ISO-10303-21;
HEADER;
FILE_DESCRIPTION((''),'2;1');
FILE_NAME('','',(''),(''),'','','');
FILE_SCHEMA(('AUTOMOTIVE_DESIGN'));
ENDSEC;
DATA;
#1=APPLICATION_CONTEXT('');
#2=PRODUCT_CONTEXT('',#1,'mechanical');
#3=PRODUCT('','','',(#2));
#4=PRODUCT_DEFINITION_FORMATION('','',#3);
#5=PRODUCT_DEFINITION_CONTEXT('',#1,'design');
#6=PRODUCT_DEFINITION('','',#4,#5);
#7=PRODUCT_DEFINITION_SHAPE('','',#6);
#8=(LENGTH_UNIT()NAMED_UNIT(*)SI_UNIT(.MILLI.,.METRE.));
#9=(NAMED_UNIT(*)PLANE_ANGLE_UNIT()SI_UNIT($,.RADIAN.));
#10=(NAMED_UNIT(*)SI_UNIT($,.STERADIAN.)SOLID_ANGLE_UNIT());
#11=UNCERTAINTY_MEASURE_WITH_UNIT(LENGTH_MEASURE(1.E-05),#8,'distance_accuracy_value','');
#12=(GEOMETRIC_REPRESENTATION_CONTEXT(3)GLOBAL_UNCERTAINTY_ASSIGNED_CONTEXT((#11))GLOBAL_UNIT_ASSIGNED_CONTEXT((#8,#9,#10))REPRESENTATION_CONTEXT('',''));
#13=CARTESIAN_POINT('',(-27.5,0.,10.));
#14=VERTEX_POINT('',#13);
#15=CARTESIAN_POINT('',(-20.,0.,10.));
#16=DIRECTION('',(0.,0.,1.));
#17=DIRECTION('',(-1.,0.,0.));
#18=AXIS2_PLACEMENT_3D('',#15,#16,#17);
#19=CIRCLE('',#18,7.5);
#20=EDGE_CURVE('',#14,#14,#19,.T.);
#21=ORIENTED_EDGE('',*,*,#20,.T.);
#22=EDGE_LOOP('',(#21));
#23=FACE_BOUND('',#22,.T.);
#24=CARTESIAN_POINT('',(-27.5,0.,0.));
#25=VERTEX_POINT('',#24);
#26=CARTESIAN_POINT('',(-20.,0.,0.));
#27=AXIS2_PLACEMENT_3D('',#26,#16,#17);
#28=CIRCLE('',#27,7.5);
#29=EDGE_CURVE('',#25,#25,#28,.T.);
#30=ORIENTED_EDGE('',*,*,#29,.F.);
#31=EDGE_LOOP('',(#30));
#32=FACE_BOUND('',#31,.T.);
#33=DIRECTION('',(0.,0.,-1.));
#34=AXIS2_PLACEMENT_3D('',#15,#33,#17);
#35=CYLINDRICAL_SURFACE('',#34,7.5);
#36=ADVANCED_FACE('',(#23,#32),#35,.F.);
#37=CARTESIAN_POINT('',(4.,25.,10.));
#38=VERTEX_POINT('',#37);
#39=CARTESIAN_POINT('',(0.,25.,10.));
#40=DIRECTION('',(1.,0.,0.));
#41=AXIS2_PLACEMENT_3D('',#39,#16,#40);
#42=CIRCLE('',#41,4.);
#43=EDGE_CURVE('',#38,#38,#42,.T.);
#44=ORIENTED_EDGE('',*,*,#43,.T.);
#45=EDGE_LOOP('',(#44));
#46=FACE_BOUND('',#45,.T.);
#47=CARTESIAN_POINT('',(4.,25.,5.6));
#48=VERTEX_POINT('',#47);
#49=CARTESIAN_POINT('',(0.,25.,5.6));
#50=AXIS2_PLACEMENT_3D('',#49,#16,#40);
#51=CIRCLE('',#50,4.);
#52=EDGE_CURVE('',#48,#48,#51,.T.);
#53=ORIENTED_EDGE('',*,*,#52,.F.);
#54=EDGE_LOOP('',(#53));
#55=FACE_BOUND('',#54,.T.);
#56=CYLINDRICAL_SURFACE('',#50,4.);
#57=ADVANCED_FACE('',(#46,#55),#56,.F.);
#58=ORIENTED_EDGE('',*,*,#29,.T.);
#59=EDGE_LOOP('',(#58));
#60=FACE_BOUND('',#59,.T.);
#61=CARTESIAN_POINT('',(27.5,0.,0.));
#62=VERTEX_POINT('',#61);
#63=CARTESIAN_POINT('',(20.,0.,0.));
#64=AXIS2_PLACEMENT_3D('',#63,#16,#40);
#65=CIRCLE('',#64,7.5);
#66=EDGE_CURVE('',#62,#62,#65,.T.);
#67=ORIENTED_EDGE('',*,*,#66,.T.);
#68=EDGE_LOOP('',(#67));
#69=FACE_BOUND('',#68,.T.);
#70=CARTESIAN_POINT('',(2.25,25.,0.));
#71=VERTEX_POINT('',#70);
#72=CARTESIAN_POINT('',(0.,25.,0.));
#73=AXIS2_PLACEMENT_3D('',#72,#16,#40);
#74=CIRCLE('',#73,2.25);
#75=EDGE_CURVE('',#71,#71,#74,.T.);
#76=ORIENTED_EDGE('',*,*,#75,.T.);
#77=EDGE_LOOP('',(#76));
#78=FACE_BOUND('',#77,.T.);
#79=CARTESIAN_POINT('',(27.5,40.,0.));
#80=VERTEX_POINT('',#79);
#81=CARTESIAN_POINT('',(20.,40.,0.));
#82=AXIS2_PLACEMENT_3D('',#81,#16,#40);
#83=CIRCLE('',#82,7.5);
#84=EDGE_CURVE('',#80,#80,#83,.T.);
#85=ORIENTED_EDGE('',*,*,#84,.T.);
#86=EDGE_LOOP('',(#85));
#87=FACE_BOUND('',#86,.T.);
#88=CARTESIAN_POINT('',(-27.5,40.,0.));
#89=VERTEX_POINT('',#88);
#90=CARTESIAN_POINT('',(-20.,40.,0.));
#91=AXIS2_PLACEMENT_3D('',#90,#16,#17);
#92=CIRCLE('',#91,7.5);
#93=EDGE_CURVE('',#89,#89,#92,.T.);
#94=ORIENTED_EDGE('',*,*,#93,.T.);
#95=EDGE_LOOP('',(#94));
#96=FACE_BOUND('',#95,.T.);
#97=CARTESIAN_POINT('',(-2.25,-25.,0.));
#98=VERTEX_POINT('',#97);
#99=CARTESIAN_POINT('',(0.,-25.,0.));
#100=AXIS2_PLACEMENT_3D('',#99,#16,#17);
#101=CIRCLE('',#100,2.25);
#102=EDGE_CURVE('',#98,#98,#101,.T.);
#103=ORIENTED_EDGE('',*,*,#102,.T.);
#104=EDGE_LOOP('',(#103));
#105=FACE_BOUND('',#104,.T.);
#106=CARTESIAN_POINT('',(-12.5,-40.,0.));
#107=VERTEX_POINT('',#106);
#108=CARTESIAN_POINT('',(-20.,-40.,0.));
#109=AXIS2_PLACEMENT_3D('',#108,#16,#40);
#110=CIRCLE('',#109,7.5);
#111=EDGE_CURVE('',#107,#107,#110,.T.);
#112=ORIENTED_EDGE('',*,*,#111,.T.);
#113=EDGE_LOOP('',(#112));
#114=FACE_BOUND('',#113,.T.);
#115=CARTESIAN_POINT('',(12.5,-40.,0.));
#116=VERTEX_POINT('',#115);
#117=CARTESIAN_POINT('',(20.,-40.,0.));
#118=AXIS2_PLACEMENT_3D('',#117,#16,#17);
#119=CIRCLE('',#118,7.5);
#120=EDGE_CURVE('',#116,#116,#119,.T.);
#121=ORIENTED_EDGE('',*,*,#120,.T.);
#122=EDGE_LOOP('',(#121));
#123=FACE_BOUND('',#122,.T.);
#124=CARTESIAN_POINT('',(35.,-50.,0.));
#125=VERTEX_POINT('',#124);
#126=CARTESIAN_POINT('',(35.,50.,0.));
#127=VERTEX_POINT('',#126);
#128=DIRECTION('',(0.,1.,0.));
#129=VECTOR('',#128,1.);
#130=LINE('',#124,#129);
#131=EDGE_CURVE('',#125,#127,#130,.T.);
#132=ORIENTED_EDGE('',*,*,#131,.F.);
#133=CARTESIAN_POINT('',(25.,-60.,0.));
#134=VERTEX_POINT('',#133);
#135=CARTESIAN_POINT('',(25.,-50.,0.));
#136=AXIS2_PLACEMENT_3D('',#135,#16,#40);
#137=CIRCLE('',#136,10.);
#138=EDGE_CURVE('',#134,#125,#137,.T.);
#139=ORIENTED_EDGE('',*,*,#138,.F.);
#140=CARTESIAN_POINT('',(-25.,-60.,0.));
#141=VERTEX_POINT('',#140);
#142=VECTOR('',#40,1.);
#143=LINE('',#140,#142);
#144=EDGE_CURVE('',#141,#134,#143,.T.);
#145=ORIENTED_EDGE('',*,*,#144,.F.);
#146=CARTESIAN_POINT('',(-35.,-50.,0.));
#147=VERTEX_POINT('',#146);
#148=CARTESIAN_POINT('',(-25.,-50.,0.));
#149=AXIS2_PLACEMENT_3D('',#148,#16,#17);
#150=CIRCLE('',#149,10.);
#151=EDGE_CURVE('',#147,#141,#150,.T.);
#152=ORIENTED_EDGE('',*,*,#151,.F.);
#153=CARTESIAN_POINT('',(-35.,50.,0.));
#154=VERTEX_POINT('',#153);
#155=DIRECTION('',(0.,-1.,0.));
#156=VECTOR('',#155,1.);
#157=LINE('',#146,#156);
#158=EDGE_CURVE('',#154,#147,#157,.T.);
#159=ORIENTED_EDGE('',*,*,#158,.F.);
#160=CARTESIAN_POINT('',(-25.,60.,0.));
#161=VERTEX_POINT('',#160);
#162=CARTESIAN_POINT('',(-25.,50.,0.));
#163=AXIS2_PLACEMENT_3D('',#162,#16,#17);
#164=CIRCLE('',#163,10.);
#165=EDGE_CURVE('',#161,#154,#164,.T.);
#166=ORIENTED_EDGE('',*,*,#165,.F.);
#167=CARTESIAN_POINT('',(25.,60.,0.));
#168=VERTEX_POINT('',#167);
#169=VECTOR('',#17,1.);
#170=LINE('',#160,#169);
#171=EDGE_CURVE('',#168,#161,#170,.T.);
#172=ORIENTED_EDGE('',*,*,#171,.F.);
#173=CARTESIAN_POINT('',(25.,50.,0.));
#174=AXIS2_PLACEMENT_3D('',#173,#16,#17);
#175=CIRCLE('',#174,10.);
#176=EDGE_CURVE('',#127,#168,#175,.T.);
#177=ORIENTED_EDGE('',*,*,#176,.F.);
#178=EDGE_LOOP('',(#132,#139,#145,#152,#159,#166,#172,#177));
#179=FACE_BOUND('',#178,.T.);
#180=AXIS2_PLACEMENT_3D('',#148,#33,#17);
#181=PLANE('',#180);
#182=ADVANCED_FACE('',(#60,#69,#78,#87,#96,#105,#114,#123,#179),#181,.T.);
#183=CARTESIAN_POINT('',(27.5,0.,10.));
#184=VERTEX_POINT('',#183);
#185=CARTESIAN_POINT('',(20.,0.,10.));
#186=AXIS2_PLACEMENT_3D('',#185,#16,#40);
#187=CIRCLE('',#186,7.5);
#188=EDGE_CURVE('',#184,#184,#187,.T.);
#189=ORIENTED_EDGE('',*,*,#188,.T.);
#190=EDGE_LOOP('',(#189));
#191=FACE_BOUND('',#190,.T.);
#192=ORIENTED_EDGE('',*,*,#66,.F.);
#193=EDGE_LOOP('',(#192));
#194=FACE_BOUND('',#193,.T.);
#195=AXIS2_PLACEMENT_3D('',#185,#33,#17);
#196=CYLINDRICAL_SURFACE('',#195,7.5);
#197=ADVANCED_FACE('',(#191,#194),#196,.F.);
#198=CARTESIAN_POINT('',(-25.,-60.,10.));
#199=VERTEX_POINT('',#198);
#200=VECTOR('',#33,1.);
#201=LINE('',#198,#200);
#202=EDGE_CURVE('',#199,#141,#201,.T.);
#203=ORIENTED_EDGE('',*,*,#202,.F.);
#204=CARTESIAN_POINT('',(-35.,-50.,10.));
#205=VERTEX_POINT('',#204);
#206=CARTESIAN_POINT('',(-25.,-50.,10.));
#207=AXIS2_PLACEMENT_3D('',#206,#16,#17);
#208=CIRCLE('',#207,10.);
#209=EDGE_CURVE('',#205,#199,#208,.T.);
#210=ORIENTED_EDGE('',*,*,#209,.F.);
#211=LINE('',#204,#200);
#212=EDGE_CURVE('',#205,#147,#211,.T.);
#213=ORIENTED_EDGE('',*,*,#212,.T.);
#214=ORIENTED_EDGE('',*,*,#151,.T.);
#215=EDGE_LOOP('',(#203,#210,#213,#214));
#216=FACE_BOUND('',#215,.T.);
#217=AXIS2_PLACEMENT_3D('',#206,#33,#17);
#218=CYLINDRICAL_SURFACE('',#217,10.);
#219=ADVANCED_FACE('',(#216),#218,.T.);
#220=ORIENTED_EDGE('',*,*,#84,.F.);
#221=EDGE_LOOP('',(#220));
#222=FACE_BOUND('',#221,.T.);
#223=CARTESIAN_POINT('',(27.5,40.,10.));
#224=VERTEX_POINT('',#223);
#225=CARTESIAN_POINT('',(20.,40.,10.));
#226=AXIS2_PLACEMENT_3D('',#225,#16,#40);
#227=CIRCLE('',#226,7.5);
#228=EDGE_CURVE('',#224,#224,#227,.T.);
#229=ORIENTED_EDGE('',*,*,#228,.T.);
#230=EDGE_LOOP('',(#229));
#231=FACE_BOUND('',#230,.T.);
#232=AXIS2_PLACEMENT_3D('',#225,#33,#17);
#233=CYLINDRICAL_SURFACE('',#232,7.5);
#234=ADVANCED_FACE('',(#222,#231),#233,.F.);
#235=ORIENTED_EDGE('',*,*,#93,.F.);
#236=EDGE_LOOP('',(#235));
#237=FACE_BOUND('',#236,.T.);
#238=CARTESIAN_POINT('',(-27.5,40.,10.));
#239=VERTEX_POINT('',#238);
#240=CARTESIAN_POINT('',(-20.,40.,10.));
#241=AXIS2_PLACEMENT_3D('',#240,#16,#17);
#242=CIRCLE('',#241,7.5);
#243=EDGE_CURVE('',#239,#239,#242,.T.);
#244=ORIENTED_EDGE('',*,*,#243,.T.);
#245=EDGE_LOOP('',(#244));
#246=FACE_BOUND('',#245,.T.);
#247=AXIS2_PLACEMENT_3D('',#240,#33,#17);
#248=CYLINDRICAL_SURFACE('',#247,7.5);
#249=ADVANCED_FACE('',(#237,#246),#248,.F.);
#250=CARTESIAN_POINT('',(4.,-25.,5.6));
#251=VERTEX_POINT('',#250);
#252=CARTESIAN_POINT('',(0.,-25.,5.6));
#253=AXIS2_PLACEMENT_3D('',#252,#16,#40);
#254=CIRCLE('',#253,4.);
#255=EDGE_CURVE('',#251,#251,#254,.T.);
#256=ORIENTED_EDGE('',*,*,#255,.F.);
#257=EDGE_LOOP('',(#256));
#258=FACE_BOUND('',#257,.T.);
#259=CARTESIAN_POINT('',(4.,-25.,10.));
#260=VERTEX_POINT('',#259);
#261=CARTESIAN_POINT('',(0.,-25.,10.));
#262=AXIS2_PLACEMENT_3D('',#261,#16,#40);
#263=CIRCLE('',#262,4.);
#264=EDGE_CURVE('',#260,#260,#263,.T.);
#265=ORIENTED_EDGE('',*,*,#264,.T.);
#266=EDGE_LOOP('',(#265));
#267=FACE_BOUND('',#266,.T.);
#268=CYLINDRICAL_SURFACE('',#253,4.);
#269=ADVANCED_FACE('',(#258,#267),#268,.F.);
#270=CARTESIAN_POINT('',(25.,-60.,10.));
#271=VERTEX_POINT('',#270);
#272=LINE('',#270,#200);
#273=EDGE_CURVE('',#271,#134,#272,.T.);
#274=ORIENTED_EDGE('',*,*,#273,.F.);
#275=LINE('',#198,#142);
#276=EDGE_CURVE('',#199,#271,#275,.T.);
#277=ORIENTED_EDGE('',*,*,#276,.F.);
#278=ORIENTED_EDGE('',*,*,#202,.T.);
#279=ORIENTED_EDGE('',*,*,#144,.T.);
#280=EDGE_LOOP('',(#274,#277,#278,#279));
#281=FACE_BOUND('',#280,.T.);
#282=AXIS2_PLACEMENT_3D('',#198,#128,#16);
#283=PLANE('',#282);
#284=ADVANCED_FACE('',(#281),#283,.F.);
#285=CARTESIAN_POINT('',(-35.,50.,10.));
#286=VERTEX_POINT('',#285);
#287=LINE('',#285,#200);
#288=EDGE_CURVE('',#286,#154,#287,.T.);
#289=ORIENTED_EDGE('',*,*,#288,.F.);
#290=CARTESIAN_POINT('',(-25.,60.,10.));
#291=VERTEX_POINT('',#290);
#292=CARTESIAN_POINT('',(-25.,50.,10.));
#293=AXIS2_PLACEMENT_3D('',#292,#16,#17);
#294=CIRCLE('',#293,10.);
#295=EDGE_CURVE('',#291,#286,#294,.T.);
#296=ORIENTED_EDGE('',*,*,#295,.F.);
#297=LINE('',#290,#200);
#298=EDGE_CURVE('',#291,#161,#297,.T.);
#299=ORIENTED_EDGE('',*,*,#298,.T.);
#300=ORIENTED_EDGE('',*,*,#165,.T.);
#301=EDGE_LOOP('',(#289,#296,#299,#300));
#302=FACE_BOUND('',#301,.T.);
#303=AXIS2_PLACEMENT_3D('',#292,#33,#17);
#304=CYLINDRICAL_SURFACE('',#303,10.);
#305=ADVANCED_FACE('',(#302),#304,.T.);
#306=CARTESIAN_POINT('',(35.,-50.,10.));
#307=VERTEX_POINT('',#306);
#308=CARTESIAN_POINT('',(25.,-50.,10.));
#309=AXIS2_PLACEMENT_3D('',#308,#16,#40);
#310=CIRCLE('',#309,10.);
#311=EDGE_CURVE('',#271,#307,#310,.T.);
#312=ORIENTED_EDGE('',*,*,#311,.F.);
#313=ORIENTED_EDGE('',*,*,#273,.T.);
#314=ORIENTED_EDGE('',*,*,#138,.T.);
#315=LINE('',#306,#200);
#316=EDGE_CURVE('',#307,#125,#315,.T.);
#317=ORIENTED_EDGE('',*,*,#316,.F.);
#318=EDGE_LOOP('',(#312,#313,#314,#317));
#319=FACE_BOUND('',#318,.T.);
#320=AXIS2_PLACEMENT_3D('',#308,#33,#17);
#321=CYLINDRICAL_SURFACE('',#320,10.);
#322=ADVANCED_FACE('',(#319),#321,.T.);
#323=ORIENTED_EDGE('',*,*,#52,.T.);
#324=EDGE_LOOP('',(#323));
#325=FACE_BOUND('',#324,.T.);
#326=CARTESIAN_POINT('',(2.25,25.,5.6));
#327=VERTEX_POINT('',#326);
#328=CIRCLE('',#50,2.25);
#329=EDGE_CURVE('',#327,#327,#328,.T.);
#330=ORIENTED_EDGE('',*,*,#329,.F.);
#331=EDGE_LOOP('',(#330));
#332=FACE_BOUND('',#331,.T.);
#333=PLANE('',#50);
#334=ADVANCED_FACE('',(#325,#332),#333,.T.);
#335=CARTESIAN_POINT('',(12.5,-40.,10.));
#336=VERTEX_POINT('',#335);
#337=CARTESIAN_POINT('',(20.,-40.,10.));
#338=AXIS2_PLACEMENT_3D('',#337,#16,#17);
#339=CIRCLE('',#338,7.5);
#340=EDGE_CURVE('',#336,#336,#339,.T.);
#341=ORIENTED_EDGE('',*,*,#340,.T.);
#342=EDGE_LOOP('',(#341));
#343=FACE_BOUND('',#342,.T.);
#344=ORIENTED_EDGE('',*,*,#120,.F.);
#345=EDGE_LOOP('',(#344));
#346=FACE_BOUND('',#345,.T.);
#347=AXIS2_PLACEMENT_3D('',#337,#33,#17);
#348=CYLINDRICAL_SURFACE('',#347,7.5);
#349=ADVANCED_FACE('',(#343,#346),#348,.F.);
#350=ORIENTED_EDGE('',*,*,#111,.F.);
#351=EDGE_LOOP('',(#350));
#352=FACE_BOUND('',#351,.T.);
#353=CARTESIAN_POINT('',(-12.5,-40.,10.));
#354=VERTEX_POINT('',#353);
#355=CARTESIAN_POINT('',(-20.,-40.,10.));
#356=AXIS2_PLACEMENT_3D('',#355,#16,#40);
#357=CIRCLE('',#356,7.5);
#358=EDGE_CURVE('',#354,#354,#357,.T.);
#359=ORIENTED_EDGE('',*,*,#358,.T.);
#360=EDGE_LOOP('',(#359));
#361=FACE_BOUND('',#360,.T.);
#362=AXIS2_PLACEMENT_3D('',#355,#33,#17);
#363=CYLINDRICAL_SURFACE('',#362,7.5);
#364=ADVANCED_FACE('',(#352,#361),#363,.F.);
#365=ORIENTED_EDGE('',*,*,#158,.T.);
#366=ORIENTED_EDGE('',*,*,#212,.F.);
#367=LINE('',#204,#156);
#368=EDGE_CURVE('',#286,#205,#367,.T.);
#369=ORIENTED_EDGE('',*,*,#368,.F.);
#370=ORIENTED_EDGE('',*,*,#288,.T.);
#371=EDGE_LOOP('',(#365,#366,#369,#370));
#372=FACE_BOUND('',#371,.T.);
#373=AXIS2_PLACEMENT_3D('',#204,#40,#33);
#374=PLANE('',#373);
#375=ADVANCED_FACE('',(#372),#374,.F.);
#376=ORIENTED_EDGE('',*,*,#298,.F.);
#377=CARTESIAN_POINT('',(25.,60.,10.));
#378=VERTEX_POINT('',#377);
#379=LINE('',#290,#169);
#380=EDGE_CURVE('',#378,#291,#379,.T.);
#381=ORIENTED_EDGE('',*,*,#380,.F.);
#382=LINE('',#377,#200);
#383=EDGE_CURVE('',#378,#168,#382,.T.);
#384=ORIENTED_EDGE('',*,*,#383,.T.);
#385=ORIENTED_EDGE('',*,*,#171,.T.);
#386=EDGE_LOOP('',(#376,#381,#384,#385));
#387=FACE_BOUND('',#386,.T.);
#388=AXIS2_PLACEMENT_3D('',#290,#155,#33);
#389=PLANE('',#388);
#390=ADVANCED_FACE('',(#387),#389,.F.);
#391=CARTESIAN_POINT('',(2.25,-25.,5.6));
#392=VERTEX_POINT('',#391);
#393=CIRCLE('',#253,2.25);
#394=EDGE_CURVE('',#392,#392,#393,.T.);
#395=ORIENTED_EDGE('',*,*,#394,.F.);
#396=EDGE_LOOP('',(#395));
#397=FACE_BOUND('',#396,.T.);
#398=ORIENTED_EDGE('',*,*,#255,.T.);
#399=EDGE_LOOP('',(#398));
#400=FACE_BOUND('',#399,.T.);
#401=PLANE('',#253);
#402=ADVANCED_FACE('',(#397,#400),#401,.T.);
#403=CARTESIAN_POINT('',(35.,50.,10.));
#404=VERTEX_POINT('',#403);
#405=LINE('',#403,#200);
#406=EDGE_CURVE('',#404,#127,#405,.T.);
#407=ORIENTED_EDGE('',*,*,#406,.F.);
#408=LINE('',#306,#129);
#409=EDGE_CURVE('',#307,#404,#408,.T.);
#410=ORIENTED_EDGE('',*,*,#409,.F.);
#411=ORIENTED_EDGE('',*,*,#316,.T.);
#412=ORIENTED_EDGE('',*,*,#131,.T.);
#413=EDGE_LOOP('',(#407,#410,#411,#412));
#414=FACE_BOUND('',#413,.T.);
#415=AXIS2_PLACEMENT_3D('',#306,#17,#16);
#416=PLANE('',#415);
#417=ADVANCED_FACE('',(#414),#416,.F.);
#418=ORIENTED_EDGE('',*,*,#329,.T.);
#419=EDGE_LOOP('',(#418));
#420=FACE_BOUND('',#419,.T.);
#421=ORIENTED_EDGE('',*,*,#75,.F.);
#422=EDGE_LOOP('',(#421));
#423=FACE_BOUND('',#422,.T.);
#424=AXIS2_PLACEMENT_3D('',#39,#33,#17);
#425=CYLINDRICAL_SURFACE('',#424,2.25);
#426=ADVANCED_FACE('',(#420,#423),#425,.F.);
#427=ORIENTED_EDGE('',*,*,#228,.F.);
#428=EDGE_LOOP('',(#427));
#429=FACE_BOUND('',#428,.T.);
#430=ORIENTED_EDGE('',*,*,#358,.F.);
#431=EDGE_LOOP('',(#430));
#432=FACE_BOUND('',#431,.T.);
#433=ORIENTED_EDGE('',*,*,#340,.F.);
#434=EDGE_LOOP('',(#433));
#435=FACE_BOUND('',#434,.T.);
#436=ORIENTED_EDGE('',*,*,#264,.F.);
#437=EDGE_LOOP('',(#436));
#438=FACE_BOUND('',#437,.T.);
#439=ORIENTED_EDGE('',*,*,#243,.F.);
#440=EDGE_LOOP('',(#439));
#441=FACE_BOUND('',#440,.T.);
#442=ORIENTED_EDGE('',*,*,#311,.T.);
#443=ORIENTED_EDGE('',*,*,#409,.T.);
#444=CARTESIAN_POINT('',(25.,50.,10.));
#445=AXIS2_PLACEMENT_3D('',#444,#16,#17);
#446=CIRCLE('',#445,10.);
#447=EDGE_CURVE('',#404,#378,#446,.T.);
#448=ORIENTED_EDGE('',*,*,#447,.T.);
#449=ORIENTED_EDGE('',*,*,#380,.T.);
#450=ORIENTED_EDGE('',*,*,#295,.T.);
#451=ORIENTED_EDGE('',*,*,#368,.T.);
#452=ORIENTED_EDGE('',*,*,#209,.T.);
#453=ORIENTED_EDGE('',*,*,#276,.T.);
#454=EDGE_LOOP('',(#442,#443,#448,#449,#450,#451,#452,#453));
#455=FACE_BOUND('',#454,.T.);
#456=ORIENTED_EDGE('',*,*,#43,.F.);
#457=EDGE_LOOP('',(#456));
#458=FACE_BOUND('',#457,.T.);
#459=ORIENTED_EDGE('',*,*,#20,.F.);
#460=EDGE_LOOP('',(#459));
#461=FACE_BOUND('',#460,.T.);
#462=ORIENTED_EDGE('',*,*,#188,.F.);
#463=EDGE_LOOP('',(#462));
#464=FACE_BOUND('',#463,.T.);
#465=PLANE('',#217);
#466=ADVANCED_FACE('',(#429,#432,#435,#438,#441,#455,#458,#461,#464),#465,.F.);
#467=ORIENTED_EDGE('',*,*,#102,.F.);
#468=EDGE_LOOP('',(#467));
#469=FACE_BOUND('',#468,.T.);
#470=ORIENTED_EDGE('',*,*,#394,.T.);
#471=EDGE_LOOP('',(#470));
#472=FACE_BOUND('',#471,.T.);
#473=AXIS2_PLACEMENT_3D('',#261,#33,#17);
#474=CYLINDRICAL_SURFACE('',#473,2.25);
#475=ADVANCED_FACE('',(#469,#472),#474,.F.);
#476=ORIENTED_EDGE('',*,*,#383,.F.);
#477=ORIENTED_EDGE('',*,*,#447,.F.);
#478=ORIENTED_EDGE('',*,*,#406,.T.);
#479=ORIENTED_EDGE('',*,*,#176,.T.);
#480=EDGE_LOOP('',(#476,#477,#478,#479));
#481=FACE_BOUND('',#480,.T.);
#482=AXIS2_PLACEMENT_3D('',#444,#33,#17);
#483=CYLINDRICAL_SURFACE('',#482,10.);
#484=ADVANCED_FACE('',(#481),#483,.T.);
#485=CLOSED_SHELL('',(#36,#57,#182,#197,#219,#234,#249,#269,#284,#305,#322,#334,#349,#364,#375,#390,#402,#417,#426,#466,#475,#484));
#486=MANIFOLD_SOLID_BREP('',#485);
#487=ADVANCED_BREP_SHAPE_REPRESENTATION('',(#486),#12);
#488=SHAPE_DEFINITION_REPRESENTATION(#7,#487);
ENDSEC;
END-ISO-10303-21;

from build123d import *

# Parameters (mm, degrees)
SKETCH_1_R          = 7.5
SKETCH_1_R_2        = 2.25
EXTRUDE_1_DEPTH     = 10
SKETCH_2_R          = 4
CUT_EXTRUDE_1_DEPTH = 4.4


with BuildPart() as part:
    # 草图1 → 凸台-拉伸1 (new body)
    with BuildSketch(Plane.XY):
        with BuildLine():
            Line((-25, -60), (25, -60))
            ThreePointArc((25, -60), (32.071067812, -57.071067812), (35, -50))
            Line((35, -50), (35, 50))
            ThreePointArc((35, 50), (32.071067812, 57.071067812), (25, 60))
            Line((25, 60), (-25, 60))
            ThreePointArc((-25, 60), (-32.071067812, 57.071067812), (-35, 50))
            Line((-35, 50), (-35, -50))
            ThreePointArc((-35, -50), (-32.071067812, -57.071067812), (-25, -60))
        make_face()
        with Locations((20, 40)):
            Circle(SKETCH_1_R, mode=Mode.SUBTRACT)
        with Locations((20, 0)):
            Circle(SKETCH_1_R, mode=Mode.SUBTRACT)
        with Locations(Location((20, -40, 0), (0, 0, 180))):
            Circle(SKETCH_1_R, mode=Mode.SUBTRACT)
        with Locations((-20, -40)):
            Circle(SKETCH_1_R, mode=Mode.SUBTRACT)
        with Locations(Location((-20, 0, 0), (0, 0, 180))):
            Circle(SKETCH_1_R, mode=Mode.SUBTRACT)
        with Locations(Location((-20, 40, 0), (0, 0, 180))):
            Circle(SKETCH_1_R, mode=Mode.SUBTRACT)
        with Locations((0, 25)):
            Circle(SKETCH_1_R_2, mode=Mode.SUBTRACT)
        with Locations(Location((0, -25, 0), (0, 0, 180))):
            Circle(SKETCH_1_R_2, mode=Mode.SUBTRACT)
    extrude(amount=EXTRUDE_1_DEPTH)

    # 草图2 → 切除-拉伸1 (cut)
    with BuildSketch(Plane.XY.offset(10)):
        with Locations((0, 25)):
            Circle(SKETCH_2_R)
        with Locations((0, -25)):
            Circle(SKETCH_2_R)
    extrude(amount=-CUT_EXTRUDE_1_DEPTH, mode=Mode.SUBTRACT)


solid = part.part
